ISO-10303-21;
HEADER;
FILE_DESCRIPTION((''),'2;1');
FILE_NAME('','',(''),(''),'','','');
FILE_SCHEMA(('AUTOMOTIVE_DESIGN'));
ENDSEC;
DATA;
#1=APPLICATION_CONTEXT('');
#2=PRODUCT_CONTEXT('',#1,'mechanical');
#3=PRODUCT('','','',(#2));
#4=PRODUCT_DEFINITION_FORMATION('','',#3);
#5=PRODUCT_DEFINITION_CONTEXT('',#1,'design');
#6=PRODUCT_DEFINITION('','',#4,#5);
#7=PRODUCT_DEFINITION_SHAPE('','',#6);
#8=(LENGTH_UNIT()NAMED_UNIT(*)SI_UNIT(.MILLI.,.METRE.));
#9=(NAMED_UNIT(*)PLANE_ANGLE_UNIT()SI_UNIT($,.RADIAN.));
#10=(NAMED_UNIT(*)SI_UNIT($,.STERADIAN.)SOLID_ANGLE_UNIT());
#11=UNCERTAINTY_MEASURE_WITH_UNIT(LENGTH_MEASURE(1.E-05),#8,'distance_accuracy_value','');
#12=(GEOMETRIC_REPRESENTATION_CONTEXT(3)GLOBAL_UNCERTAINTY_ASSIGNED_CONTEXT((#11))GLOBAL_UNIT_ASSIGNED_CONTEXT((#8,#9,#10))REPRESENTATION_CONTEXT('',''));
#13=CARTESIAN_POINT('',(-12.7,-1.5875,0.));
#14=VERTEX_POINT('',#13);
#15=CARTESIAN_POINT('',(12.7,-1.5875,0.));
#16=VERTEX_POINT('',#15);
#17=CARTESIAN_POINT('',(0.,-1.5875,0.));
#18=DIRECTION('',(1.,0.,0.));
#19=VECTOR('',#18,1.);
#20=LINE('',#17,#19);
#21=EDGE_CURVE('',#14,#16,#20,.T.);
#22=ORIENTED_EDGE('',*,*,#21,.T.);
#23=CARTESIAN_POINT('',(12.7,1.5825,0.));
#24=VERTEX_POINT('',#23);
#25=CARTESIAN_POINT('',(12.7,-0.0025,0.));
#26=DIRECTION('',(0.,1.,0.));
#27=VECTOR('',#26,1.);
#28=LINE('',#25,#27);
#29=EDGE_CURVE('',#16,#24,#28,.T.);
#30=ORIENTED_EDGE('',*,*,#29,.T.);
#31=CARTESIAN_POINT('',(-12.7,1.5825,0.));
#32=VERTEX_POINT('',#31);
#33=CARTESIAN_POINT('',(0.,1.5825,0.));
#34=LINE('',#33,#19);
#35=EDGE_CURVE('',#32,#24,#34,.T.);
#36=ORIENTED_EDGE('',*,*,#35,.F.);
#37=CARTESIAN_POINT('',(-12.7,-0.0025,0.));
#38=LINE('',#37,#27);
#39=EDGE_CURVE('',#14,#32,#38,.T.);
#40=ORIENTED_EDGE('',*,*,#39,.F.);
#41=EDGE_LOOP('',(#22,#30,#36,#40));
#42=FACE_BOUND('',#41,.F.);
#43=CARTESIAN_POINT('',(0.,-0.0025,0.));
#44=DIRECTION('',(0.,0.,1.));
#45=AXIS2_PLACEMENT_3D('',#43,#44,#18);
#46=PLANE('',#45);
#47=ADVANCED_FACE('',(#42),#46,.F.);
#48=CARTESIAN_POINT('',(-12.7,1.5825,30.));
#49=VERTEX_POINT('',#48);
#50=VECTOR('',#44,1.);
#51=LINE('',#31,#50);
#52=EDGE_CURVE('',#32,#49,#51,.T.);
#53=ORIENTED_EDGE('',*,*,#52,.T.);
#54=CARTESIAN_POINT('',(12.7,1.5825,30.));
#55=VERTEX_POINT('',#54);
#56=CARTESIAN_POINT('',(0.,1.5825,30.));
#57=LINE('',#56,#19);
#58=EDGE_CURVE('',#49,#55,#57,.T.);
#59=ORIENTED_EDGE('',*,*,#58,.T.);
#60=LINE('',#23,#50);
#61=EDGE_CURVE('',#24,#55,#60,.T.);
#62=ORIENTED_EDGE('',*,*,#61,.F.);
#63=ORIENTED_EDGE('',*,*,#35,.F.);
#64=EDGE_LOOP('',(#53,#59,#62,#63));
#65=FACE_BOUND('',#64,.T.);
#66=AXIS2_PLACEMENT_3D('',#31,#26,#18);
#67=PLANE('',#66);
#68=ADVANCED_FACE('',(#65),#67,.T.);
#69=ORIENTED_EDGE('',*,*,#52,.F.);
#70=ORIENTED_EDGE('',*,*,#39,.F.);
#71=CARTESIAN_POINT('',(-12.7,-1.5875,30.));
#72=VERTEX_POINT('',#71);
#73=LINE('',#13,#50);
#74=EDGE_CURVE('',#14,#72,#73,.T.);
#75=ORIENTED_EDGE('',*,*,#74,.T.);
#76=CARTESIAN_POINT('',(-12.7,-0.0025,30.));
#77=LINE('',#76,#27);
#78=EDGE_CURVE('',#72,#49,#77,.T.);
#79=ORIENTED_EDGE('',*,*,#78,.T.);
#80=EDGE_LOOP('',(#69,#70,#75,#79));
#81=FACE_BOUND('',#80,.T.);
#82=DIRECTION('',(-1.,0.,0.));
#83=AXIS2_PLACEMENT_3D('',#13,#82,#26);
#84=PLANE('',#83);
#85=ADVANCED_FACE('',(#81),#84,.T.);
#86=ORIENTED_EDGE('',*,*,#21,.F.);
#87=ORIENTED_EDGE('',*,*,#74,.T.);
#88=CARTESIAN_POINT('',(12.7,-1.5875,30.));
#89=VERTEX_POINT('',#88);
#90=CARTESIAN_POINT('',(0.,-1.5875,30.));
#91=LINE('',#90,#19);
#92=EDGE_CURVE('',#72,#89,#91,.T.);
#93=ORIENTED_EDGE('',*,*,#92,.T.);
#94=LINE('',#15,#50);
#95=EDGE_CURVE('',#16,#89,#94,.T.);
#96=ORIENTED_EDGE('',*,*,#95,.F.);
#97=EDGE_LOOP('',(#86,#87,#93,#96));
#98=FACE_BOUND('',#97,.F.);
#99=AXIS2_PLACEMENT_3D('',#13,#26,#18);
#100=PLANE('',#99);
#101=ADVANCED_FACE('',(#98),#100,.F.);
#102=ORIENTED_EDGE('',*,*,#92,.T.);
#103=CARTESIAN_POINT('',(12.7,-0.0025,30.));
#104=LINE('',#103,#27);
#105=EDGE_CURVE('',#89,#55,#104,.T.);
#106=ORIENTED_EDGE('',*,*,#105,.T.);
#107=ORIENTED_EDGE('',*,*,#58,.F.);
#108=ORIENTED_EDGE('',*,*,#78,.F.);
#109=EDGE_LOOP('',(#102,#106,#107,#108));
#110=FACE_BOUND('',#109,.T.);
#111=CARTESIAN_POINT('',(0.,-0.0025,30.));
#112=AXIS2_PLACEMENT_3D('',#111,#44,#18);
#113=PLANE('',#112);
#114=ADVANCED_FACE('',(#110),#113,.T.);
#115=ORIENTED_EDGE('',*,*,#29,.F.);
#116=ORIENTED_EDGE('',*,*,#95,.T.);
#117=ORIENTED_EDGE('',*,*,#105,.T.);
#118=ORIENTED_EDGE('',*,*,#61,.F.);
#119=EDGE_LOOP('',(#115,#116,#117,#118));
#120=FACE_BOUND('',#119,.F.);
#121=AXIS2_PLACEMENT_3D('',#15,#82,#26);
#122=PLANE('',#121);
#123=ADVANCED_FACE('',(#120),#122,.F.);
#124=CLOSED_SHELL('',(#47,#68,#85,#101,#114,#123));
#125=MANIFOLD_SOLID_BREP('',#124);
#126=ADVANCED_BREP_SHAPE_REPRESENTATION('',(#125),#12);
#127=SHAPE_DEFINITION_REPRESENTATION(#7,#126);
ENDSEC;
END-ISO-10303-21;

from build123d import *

# Parameters (mm, degrees)
SKETCH_W  = 25.4
SKETCH_H  = 3.17
PAD_DEPTH = 30


with BuildPart() as part:
    # Sketch → Pad (new body)
    with BuildSketch(Plane.XY):
        with Locations((0, -0.0025)):
            Rectangle(SKETCH_W, SKETCH_H)
    extrude(amount=PAD_DEPTH)


solid = part.part
